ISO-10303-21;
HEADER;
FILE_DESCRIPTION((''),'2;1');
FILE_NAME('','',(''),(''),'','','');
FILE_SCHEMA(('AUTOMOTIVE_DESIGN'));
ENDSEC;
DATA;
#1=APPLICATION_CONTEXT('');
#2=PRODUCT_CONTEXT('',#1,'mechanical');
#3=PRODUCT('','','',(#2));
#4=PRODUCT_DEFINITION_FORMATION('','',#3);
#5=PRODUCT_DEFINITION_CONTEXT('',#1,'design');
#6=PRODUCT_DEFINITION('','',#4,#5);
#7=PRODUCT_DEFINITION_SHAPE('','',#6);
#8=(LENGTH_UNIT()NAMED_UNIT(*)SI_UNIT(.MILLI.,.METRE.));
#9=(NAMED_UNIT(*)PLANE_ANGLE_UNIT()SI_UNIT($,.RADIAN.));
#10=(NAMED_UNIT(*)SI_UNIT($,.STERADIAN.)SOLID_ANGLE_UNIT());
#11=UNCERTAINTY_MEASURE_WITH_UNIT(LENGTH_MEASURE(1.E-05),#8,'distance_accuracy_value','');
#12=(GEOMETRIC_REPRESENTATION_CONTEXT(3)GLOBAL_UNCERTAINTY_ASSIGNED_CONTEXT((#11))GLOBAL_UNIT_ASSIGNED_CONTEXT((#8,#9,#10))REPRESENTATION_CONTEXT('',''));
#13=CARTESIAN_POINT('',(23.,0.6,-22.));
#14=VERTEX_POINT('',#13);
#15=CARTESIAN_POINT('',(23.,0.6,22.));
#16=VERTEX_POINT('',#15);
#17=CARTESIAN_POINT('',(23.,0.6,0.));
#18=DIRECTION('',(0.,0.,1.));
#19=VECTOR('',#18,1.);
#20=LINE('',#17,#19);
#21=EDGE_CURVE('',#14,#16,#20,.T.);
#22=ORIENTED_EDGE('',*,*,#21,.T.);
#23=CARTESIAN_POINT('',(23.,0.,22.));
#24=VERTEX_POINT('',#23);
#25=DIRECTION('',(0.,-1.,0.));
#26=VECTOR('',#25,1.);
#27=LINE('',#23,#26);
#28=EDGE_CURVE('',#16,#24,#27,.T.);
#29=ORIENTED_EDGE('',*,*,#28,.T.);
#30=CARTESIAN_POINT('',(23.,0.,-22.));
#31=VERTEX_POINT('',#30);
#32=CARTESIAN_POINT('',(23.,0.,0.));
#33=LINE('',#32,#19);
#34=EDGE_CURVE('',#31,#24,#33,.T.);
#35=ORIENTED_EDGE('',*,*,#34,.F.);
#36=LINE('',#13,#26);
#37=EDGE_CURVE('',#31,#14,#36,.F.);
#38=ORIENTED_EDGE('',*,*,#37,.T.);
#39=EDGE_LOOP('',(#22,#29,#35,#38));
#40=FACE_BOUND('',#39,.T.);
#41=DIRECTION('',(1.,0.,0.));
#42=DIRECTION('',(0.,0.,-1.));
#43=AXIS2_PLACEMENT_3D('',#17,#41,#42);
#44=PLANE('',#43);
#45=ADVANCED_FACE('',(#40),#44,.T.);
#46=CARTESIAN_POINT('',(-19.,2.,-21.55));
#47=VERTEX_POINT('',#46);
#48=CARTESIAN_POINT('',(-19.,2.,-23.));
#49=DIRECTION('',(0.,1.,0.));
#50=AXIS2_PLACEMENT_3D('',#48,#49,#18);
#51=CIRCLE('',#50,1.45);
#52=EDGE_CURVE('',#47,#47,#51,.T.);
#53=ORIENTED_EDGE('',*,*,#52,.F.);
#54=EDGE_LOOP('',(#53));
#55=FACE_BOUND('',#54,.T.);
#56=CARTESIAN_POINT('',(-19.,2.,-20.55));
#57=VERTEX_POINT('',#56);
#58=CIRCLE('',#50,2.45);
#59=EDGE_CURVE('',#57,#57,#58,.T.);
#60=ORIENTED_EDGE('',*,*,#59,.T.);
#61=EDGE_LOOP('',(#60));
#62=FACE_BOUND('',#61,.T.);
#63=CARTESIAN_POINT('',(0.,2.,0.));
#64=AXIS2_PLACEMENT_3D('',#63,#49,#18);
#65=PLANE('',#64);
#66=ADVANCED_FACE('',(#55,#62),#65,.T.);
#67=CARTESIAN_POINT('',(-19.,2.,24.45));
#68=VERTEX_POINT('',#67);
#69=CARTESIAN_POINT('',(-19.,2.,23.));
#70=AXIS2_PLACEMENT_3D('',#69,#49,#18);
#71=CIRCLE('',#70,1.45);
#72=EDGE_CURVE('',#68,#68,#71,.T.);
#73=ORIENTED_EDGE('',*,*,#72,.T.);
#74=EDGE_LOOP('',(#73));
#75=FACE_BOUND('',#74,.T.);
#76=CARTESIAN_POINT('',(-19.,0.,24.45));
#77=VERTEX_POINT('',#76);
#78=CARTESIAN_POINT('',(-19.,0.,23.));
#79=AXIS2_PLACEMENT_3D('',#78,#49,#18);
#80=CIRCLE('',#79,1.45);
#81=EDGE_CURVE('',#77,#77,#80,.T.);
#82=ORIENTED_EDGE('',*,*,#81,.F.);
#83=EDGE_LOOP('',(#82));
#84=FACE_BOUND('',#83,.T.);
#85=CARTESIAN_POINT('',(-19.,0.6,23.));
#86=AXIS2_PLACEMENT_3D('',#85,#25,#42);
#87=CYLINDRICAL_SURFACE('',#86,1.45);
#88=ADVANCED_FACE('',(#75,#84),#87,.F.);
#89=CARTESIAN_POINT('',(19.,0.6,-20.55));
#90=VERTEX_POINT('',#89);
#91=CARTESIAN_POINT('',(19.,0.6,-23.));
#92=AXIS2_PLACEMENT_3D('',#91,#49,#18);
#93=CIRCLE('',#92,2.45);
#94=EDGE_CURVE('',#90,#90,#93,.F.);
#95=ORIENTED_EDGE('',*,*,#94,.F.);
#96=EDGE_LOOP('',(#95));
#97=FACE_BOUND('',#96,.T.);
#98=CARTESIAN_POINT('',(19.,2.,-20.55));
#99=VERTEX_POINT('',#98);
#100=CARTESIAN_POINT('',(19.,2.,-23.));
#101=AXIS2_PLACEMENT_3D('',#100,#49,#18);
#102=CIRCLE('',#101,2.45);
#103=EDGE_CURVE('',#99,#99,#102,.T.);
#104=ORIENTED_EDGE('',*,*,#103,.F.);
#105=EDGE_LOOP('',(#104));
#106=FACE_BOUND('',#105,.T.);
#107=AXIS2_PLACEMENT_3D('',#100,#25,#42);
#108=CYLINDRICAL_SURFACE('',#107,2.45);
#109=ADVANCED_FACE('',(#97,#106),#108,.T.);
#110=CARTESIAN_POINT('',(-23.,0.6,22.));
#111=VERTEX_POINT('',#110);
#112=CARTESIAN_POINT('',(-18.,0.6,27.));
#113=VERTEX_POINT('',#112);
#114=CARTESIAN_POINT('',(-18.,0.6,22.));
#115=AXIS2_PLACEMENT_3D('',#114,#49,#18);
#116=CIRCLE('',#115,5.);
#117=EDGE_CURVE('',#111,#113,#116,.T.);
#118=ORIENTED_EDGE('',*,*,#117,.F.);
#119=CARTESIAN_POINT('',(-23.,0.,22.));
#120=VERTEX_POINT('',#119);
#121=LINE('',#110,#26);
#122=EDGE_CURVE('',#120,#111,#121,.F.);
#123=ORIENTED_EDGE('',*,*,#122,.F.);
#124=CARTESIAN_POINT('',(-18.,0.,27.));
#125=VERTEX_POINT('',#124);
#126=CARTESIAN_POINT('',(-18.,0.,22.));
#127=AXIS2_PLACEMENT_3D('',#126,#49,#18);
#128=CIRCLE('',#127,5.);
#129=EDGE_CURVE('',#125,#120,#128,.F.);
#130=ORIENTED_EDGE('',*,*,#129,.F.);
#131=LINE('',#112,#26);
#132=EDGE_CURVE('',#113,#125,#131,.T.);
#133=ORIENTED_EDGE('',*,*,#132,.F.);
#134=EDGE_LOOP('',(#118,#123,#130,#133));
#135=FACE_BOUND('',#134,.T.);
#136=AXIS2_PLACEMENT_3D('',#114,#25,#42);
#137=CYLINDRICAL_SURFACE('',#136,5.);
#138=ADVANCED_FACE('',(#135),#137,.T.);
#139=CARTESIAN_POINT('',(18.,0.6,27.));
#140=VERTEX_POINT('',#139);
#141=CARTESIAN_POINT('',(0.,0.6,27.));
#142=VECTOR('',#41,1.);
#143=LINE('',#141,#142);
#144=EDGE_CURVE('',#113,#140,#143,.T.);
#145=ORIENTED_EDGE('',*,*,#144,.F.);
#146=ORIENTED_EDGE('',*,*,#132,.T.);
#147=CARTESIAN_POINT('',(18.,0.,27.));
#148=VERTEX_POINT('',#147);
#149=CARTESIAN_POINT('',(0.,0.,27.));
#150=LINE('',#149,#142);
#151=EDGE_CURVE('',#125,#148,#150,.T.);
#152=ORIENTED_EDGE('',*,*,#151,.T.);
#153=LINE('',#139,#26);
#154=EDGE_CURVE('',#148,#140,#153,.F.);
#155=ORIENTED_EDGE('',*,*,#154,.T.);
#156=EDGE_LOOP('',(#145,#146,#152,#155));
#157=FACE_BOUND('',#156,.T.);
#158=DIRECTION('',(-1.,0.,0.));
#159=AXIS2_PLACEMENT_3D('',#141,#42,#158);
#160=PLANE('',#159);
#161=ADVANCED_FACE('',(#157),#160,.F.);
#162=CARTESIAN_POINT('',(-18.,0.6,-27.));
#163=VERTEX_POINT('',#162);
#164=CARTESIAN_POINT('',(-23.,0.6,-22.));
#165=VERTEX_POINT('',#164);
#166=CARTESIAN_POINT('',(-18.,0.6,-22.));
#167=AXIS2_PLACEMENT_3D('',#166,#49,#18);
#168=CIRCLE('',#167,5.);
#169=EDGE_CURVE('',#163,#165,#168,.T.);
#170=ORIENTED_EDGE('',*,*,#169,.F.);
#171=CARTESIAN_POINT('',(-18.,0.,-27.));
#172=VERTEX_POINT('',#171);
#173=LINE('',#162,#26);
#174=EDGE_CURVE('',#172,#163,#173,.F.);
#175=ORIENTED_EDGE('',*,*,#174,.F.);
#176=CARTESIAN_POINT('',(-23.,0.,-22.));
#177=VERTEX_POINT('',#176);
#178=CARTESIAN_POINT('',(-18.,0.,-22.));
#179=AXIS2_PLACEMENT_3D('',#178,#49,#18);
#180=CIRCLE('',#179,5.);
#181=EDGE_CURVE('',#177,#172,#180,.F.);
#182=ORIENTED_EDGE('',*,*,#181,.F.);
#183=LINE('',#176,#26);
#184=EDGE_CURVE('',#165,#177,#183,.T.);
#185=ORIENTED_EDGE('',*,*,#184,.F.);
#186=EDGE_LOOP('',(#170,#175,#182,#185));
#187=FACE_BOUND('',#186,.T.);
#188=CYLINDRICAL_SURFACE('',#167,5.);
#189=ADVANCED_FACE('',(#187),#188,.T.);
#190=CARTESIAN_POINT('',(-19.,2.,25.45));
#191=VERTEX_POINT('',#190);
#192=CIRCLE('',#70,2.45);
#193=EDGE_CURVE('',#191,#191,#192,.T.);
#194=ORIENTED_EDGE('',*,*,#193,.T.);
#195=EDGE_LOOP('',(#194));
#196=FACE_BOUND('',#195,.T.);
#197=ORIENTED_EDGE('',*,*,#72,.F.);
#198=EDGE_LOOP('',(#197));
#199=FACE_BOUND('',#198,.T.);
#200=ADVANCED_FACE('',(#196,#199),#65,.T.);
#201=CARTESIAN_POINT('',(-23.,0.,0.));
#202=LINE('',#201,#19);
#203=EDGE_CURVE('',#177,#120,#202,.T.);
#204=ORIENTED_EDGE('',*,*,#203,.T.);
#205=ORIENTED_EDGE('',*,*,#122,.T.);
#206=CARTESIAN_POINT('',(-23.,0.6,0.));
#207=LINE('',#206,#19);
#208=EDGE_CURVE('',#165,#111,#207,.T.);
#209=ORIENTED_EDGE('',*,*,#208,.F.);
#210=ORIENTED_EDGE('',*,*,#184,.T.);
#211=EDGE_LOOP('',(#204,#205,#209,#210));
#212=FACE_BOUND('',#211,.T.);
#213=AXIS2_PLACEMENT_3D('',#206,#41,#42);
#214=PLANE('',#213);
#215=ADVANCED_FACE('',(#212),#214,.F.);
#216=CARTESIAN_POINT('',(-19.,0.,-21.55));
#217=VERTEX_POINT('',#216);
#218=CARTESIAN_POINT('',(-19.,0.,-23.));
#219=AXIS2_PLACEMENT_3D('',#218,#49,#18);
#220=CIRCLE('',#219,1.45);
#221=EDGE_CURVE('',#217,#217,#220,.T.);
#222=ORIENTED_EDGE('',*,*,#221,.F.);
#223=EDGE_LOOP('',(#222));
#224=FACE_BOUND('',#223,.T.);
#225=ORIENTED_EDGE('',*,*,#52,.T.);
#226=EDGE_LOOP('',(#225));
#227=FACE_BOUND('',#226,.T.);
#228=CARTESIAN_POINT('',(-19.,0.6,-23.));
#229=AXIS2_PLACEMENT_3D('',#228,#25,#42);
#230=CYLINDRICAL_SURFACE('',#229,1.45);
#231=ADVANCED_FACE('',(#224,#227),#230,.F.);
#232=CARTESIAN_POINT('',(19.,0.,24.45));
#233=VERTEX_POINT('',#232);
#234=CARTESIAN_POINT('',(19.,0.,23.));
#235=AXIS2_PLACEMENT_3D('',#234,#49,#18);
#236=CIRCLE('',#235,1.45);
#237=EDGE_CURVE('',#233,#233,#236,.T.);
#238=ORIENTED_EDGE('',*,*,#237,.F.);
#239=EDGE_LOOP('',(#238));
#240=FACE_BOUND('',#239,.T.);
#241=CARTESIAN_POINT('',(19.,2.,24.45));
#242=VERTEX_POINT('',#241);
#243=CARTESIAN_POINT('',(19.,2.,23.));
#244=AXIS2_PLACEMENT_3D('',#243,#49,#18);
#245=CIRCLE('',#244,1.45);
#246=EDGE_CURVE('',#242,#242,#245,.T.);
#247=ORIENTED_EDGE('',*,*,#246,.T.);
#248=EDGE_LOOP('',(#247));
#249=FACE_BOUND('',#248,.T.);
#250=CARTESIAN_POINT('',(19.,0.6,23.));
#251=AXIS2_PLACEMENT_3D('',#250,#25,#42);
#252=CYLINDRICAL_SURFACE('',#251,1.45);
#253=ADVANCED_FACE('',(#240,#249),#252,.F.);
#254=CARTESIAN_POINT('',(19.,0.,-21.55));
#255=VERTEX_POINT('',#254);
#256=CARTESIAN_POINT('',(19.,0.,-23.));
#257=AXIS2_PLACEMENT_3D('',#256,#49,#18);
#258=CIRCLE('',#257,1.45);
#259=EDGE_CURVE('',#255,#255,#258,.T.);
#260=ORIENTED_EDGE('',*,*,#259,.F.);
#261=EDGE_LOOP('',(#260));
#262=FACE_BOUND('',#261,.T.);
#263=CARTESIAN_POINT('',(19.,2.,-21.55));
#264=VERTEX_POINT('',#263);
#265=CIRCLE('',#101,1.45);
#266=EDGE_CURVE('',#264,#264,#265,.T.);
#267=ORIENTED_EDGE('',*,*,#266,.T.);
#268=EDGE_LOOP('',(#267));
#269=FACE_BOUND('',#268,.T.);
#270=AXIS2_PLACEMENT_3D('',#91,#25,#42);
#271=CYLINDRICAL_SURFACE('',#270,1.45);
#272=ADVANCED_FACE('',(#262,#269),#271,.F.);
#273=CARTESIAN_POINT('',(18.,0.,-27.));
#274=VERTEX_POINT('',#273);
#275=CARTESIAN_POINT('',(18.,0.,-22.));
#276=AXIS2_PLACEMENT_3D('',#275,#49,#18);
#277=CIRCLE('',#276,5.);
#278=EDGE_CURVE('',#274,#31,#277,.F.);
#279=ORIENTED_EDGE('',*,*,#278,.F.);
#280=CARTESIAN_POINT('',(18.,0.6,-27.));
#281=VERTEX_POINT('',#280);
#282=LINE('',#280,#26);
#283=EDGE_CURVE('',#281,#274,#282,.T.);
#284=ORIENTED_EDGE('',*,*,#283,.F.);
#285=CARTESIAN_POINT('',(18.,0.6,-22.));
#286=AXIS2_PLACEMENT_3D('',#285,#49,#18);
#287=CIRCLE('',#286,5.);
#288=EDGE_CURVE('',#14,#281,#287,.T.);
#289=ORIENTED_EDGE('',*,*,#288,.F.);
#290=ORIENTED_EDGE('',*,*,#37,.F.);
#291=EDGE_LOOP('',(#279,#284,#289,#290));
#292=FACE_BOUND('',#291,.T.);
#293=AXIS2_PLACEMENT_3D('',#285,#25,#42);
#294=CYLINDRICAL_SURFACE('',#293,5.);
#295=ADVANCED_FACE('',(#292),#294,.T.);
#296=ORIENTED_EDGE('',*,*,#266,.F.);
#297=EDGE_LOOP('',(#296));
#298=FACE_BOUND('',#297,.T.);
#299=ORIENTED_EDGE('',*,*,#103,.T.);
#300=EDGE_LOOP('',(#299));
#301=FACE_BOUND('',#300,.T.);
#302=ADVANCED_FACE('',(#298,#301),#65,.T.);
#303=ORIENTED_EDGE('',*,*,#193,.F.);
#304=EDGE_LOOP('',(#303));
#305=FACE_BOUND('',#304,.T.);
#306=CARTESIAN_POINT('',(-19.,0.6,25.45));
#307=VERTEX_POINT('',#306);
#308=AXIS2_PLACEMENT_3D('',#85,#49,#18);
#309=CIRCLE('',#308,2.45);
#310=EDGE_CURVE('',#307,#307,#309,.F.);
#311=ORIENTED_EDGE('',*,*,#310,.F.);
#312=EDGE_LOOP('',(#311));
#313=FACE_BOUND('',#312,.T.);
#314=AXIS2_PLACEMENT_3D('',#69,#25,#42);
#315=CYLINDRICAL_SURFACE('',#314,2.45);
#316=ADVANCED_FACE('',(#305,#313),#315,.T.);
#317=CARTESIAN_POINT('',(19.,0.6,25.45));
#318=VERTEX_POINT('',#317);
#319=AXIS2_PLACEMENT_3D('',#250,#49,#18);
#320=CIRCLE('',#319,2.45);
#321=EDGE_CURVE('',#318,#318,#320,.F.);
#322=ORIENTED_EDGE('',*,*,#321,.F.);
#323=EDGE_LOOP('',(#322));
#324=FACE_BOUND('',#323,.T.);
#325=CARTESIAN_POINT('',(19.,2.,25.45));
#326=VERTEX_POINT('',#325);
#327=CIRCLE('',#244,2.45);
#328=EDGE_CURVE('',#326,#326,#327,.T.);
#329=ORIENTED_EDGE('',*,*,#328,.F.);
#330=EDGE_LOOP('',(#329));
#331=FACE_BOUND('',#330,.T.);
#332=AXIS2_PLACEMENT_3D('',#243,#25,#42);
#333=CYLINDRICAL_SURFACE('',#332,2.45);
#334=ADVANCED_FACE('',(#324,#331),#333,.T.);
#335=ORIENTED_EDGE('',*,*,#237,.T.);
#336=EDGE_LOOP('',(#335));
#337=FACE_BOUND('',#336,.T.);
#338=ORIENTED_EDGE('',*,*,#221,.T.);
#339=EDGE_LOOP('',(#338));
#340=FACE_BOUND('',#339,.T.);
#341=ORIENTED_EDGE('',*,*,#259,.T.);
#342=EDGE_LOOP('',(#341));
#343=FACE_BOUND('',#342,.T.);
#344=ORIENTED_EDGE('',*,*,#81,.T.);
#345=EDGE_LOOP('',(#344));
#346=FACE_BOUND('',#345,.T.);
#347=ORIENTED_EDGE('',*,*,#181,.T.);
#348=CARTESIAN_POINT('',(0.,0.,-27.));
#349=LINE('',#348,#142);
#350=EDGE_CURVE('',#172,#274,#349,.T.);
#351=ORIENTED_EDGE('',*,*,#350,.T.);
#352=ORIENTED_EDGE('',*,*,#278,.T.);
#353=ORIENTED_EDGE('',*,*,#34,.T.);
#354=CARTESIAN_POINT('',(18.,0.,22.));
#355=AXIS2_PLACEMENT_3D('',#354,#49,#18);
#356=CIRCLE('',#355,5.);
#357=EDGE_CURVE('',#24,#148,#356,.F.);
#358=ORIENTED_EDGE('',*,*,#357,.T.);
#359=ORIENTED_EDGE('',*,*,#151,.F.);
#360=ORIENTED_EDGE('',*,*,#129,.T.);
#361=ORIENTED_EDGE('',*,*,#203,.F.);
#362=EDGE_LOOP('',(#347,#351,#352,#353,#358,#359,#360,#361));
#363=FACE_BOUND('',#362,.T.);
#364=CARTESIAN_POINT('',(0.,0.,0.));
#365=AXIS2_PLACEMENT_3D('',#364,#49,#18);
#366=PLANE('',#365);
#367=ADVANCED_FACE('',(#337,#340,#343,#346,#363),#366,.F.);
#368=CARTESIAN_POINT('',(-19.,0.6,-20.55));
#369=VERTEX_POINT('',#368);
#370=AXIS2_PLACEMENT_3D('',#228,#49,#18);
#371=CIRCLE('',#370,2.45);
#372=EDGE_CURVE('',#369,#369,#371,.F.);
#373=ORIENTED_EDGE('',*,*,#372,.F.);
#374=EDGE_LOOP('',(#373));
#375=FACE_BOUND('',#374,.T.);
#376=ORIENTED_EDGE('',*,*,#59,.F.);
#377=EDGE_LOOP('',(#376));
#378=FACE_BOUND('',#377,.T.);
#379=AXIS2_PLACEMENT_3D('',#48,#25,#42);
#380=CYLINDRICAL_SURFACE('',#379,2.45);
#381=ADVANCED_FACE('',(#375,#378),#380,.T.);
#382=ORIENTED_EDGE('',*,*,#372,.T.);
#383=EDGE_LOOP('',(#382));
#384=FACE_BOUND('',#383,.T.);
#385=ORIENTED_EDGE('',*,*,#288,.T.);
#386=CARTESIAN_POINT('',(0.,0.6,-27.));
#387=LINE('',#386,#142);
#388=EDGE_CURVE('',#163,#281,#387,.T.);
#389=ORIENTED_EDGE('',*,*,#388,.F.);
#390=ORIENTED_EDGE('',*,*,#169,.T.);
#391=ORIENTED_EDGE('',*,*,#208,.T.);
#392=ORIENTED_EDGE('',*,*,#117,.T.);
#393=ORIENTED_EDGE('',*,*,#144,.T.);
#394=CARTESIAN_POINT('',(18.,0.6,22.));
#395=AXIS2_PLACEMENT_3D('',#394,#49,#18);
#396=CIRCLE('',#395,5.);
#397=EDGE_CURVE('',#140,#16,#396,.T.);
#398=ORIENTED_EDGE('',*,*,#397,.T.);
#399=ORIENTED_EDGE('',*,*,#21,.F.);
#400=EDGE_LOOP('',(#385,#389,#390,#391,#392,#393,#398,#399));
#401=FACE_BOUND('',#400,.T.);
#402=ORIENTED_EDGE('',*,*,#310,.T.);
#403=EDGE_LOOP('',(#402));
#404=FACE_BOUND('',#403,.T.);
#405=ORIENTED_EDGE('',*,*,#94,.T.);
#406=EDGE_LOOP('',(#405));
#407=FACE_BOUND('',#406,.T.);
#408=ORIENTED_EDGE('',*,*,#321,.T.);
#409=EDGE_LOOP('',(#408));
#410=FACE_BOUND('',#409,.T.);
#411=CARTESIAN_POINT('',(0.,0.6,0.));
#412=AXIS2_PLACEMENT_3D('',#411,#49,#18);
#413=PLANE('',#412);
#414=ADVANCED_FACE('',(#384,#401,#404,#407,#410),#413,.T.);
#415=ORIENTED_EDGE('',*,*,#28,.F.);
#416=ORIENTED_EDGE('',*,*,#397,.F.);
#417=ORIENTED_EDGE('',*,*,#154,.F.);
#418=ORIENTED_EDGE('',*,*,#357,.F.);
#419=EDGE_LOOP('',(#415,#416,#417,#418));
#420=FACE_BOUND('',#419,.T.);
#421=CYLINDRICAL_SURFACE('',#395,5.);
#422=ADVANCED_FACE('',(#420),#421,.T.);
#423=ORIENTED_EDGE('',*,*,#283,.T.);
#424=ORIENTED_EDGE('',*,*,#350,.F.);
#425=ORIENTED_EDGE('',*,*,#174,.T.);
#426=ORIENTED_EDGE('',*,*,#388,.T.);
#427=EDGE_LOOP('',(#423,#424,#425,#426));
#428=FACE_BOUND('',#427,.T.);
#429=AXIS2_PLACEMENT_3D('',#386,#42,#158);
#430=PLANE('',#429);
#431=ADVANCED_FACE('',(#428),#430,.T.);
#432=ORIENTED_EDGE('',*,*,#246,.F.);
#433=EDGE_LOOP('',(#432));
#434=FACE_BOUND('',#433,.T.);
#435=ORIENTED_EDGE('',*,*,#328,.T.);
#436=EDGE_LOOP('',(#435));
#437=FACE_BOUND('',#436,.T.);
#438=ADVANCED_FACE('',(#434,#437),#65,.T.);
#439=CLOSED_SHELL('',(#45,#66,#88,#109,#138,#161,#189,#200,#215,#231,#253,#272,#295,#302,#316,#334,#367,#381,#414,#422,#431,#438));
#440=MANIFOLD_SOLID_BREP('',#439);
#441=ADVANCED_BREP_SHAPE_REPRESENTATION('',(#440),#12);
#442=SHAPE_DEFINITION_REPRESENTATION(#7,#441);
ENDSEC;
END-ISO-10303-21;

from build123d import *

# Parameters (mm, degrees)
SKETCH1_W           = 46
SKETCH1_H           = 54
SKETCH1_R           = 1.45
BOSS_EXTRUDE1_DEPTH = 0.6
SKETCH1_3_R         = 2.45
SKETCH1_3_R_2       = 1.45
BOSS_EXTRUDE2_DEPTH = 2
FILLET1_R           = 5


with BuildPart() as part:
    # Sketch1 → Boss-Extrude1 (new body)
    with BuildSketch(Plane(origin=(0, 0, 0), x_dir=(1, 0, 0), z_dir=(0, 1, 0))):
        Rectangle(SKETCH1_W, SKETCH1_H)
        with Locations((-19, -23)):
            Circle(SKETCH1_R, mode=Mode.SUBTRACT)
        with Locations((19, -23)):
            Circle(SKETCH1_R, mode=Mode.SUBTRACT)
        with Locations((-19, 23)):
            Circle(SKETCH1_R, mode=Mode.SUBTRACT)
        with Locations((19, 23)):
            Circle(SKETCH1_R, mode=Mode.SUBTRACT)
    extrude(amount=BOSS_EXTRUDE1_DEPTH)

    # Sketch1<3> → Boss-Extrude2 (add)
    # profile 1 of 4: a face of its own
    with BuildSketch(Plane(origin=(0, 0, 0), x_dir=(1, 0, 0), z_dir=(0, 1, 0))):
        with Locations((-19, 23)):
            Circle(SKETCH1_3_R)
        with Locations((-19, 23)):
            Circle(SKETCH1_3_R_2, mode=Mode.SUBTRACT)
    # profile 2 of 4: a face of its own
    with BuildSketch(Plane(origin=(0, 0, 0), x_dir=(1, 0, 0), z_dir=(0, 1, 0))):
        with Locations((19, 23)):
            Circle(SKETCH1_3_R)
        with Locations((19, 23)):
            Circle(SKETCH1_3_R_2, mode=Mode.SUBTRACT)
    # profile 3 of 4: a face of its own
    with BuildSketch(Plane(origin=(0, 0, 0), x_dir=(1, 0, 0), z_dir=(0, 1, 0))):
        with Locations((-19, -23)):
            Circle(SKETCH1_3_R)
        with Locations((-19, -23)):
            Circle(SKETCH1_3_R_2, mode=Mode.SUBTRACT)
    # profile 4 of 4: a face of its own
    with BuildSketch(Plane(origin=(0, 0, 0), x_dir=(1, 0, 0), z_dir=(0, 1, 0))):
        with Locations((19, -23)):
            Circle(SKETCH1_3_R)
        with Locations((19, -23)):
            Circle(SKETCH1_3_R_2, mode=Mode.SUBTRACT)
    extrude(amount=BOSS_EXTRUDE2_DEPTH)

    # Fillet1
    fillet1_edges = [part.edges().sort_by_distance(p)[0] for p in [
        (-23, 0.3, -27),
        (23, 0.3, -27),
        (-23, 0.3, 27),
        (23, 0.3, 27),
    ]]
    fillet(fillet1_edges, radius=FILLET1_R)


solid = part.part
